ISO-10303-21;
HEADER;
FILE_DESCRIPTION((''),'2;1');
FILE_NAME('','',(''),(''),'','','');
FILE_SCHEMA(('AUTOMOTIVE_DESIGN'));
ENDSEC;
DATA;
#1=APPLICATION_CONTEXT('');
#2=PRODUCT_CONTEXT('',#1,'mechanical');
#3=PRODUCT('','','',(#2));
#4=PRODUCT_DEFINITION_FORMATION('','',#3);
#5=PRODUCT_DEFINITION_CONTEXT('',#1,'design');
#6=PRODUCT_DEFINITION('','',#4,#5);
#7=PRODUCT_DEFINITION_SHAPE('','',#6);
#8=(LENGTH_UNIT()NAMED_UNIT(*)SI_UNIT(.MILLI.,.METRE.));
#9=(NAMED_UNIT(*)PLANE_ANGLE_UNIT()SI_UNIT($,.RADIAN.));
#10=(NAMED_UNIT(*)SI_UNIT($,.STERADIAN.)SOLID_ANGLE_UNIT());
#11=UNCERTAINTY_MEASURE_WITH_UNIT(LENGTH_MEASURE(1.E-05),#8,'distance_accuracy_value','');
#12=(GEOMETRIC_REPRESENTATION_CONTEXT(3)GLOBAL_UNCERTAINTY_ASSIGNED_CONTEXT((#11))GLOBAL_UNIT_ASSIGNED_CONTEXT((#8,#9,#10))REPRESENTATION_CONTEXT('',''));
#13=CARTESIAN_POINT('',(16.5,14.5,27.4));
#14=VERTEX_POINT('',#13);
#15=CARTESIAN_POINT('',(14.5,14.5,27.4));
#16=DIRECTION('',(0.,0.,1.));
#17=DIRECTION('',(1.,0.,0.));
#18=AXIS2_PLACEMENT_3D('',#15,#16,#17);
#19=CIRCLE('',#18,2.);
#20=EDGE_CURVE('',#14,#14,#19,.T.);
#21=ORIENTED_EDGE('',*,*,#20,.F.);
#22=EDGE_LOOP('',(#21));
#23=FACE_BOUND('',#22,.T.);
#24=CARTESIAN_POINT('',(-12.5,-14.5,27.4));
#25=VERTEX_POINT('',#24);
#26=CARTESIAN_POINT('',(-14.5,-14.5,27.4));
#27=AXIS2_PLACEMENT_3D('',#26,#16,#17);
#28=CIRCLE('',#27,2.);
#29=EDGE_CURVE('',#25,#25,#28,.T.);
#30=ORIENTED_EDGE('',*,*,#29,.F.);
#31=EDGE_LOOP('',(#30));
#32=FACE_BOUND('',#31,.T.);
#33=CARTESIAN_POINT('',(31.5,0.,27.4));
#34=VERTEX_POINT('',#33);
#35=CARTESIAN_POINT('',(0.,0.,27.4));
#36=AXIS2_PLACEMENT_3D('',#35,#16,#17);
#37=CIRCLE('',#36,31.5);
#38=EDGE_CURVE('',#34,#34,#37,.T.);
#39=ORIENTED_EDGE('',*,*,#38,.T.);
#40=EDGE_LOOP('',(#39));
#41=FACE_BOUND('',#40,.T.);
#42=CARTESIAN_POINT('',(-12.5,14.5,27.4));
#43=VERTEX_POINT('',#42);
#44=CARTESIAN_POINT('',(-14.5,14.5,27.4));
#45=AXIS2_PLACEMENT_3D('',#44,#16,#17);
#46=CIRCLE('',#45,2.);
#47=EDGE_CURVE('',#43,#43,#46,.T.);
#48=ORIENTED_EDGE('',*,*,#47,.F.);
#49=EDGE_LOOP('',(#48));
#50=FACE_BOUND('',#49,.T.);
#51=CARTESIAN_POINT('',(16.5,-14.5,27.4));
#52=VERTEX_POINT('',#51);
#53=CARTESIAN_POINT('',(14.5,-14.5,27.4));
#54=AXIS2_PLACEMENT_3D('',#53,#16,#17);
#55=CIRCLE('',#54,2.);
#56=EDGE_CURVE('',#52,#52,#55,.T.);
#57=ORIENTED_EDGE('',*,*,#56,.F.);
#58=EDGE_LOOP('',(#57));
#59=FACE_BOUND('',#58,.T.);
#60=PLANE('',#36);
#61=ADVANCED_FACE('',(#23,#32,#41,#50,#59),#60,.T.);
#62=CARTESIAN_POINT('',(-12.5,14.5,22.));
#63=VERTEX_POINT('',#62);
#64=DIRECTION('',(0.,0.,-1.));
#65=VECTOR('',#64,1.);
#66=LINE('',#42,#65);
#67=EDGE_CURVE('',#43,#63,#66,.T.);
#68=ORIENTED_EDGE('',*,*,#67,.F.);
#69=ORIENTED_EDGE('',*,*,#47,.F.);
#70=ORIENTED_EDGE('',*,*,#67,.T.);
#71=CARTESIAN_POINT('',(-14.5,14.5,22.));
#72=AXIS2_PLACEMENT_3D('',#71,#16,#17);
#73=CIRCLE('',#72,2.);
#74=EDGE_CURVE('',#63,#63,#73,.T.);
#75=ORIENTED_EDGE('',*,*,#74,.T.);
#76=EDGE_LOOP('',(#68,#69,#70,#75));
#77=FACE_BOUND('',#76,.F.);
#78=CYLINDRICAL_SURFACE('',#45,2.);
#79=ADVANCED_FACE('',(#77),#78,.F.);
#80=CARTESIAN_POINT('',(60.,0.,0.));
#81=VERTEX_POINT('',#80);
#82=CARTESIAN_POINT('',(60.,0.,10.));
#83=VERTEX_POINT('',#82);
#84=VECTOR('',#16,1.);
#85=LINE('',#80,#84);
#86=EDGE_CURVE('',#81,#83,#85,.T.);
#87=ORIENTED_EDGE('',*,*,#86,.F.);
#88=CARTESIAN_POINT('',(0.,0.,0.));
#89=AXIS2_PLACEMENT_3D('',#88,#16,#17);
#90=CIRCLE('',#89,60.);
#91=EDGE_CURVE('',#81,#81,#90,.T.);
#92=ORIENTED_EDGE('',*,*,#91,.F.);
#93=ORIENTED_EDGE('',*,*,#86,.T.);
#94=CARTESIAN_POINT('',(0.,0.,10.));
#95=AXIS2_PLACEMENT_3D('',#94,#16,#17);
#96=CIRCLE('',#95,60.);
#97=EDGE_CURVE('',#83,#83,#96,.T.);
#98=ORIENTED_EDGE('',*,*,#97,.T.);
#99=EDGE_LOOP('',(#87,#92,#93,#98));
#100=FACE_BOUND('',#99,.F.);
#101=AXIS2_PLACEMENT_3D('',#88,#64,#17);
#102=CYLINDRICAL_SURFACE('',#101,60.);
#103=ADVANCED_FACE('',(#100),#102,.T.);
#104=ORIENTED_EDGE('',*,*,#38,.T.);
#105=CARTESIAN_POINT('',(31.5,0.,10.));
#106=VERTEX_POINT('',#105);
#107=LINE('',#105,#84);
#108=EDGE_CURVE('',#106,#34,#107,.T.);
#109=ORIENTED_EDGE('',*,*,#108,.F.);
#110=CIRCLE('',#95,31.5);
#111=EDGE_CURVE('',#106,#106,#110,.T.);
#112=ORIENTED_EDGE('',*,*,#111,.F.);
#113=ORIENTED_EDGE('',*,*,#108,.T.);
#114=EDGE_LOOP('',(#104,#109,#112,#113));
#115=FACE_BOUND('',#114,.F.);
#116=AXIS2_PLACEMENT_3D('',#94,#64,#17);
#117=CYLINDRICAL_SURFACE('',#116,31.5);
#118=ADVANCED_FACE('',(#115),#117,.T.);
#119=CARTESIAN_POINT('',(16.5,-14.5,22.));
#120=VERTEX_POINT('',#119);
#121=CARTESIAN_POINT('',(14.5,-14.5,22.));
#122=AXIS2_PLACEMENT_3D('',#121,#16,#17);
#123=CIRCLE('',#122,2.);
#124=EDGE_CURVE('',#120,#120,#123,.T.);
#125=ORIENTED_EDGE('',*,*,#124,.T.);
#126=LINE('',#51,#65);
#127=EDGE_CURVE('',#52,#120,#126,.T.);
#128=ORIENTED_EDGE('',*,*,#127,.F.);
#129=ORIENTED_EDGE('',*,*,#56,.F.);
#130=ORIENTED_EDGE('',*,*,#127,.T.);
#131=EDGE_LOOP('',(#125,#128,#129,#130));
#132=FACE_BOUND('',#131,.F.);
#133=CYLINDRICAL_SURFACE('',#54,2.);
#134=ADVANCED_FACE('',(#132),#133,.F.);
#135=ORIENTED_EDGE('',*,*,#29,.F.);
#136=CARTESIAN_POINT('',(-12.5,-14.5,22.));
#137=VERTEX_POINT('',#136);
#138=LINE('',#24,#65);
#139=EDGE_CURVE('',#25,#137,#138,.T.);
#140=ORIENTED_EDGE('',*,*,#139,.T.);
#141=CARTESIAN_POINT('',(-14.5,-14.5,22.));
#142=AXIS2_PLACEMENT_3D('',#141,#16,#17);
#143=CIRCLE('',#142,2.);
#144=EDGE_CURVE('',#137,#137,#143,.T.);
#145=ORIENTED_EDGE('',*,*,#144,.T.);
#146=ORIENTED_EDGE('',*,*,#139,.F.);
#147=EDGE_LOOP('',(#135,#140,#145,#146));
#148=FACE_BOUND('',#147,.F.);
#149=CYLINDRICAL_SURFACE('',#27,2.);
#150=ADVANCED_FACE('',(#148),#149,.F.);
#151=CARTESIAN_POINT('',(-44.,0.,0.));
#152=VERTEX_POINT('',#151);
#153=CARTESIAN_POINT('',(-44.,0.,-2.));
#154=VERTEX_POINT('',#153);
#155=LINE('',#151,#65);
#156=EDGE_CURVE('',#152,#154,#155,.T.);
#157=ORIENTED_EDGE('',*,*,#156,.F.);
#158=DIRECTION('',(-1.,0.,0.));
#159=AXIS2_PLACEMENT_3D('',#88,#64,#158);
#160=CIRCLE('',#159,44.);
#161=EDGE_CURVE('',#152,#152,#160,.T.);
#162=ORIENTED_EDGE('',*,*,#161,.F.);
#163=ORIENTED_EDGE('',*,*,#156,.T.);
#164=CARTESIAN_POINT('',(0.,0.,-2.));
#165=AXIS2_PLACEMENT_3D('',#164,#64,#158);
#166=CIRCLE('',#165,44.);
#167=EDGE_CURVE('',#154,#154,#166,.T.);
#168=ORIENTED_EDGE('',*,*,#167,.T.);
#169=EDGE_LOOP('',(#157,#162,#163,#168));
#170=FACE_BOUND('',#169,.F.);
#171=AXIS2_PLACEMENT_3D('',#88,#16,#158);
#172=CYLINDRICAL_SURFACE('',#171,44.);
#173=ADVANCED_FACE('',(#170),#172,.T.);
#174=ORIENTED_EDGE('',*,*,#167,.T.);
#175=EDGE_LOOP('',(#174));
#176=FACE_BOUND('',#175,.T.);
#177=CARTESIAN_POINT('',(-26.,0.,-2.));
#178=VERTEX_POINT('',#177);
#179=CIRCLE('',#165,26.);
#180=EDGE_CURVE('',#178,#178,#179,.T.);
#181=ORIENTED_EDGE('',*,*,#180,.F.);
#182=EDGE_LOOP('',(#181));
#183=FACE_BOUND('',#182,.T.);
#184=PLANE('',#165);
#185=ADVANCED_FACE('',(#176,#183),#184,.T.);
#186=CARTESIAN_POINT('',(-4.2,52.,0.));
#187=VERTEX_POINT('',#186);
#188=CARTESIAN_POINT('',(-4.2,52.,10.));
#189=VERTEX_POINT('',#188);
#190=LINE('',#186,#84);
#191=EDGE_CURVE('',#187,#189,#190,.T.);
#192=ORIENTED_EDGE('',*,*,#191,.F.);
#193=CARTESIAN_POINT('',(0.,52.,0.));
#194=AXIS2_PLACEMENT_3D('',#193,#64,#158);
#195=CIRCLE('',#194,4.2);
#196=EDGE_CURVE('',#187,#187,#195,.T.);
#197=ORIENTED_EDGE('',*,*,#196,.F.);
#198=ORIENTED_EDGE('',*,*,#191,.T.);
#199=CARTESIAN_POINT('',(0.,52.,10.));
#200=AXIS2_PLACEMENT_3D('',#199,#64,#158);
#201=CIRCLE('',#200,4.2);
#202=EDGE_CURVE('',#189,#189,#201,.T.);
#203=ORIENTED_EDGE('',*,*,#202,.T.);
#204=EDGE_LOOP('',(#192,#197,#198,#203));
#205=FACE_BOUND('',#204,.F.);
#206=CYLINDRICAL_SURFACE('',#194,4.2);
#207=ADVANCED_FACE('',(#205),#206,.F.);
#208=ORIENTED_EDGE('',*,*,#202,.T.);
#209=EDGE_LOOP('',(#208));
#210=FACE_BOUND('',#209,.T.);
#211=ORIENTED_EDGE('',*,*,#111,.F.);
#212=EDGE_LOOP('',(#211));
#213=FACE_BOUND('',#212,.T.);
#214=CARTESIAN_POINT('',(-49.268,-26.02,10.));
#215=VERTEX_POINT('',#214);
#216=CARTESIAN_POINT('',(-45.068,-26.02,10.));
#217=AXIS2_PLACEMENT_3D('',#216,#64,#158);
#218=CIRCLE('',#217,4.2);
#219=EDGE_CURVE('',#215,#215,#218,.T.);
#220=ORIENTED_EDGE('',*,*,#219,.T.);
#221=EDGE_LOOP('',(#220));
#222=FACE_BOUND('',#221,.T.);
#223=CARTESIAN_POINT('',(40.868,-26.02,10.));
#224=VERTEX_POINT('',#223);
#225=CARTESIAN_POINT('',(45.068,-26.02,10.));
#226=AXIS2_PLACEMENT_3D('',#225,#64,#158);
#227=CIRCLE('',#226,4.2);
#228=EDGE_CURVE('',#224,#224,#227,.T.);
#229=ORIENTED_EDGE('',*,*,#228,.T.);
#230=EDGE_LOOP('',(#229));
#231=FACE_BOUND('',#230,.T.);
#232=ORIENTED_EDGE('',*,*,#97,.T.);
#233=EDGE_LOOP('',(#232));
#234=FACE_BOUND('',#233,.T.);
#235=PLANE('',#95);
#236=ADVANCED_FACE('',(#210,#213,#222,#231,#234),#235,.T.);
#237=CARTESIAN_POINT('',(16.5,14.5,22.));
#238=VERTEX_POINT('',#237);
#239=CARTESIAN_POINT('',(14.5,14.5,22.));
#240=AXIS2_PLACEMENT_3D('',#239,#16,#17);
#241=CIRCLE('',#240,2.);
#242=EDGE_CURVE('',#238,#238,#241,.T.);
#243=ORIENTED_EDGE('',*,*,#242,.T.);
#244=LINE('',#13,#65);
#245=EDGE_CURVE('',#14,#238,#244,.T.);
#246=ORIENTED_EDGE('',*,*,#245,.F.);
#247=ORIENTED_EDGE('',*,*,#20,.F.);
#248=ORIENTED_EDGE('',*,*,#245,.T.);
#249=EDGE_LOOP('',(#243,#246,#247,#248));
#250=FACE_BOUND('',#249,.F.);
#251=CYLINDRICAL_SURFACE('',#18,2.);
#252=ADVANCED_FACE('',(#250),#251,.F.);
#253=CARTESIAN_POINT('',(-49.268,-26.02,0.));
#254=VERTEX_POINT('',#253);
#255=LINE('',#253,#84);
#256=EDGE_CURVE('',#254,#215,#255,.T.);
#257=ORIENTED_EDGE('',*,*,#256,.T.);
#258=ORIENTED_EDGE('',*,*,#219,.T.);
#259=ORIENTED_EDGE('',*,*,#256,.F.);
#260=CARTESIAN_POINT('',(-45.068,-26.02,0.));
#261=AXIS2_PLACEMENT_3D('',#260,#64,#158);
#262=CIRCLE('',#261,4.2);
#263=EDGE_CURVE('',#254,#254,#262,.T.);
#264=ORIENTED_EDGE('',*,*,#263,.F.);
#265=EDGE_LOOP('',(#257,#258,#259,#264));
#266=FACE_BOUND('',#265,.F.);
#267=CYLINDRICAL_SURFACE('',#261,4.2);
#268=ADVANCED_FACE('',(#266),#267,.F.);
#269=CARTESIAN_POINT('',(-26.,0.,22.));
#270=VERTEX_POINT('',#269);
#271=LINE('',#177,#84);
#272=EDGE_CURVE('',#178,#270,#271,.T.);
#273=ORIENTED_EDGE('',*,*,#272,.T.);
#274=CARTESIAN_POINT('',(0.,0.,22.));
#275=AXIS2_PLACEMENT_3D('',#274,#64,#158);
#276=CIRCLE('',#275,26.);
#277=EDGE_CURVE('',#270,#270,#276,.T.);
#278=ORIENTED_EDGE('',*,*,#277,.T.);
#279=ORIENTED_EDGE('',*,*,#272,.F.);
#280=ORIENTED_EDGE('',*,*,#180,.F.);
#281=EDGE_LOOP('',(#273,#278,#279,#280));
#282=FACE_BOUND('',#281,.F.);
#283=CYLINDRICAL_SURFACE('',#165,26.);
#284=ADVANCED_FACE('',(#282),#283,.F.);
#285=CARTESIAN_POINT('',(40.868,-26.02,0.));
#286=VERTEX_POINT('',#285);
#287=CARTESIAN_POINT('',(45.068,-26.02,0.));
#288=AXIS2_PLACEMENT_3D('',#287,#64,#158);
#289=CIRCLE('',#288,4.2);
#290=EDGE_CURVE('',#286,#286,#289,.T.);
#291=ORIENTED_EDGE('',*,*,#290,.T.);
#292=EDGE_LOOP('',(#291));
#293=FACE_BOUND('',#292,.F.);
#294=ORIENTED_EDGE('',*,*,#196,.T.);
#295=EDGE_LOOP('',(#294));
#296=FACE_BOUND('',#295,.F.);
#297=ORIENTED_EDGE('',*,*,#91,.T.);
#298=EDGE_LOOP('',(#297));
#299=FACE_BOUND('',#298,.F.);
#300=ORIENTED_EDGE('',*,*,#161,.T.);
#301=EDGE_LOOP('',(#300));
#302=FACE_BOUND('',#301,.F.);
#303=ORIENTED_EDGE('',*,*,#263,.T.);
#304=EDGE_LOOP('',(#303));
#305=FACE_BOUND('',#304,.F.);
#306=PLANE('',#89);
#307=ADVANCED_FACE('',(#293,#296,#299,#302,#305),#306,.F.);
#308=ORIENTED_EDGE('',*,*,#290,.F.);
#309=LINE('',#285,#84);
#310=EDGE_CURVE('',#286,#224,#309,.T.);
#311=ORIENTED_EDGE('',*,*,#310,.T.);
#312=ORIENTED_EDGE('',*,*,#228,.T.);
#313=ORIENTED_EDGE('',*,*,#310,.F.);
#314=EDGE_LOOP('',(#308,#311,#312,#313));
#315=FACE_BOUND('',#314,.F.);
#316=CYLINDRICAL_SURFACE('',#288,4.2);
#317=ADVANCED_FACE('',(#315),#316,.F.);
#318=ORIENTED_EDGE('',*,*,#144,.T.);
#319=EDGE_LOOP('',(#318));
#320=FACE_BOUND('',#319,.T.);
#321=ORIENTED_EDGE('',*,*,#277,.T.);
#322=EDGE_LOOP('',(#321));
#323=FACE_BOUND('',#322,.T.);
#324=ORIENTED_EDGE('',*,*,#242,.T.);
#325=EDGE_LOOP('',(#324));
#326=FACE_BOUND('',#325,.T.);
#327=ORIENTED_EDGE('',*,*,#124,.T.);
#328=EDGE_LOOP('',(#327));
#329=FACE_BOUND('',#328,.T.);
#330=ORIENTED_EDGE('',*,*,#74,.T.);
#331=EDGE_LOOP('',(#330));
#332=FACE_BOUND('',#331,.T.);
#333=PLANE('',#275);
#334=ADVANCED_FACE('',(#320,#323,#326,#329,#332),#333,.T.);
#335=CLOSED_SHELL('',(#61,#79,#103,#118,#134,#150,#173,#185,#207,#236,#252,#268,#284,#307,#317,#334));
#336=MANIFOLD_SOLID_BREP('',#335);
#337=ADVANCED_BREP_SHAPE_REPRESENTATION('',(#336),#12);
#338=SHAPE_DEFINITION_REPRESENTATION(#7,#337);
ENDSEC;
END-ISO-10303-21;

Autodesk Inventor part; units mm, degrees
ref_plane "YZ Plane" through (0, 0, 0) normal (1, 0, 0) x (0, 1, 0)
ref_plane "XZ Plane" through (0, 0, 0) normal (0, 1, 0) x (-1, 0, 0)
ref_plane "XY Plane" through (0, 0, 0) normal (0, 0, 1) x (1, 0, 0)
sketch "Sketch1" plane through (0, 0, 0) normal (0, 0, 1) x (1, 0, 0)
  circle A0 centre (0, 0) radius 60
  dimension "d0" = 120
extrude "Extrusion1" add sketch "Sketch1" along normal blind 10
sketch "Sketch2" plane through (0, 0, 10) normal (0, 0, 1) x (1, 0, 0)
  circle A0 centre (0, 0) radius 31.5
  dimension "d3" = 63
extrude "Extrusion2" add sketch "Sketch2" along normal blind 17.4
sketch "Sketch3" plane through (0, 0, 27.4) normal (0, 0, 1) x (1, 0, 0)
  circle A0 centre (-14.5, 14.5) radius 2
  circle A1 centre (14.5, 14.5) radius 2
  circle A2 centre (14.5, -14.5) radius 2
  circle A3 centre (-14.5, -14.5) radius 2
  point P0 (0, 0)
  dimension "d6" = 4
  dimension "d7" = 4
  dimension "d8" = 4
  dimension "d9" = 4
  dimension "d10" = 29
  dimension "d11" = 29
  dimension "d12" = 29
  dimension "d13" = 29
  dimension "d18" = 20.5061
  dimension "d19" = 20.5061
  dimension "d20" = 20.5061
extrude "Extrusion3" cut sketch "Sketch3" against normal through all
sketch "Sketch4" plane through (0, 0, 0) normal (0, 0, -1) x (-1, 0, 0)
  circle A0 centre (0, 0) radius 44
  dimension "d23" = 88
extrude "Extrusion4" add sketch "Sketch4" along normal blind 2
sketch "Sketch5" plane through (0, 0, -2) normal (0, 0, -1) x (-1, 0, 0)
  circle A0 centre (0, 0) radius 26
  dimension "d26" = 52
extrude "Extrusion5" cut sketch "Sketch5" against normal blind 24
sketch "Sketch6" plane through (0, 0, 0) normal (0, 0, -1) x (-1, 0, 0)
  circle A0 centre (-45.068, -26.02) radius 4.2
  circle A1 centre (45.068, -26.02) radius 4.2
  circle A2 centre (0, 52) radius 4.2
  circle A3 centre (0, 0) radius 44 projected
  dimension "d29" = 8.4
  dimension "d30" = 8.4
  dimension "d31" = 8.4
extrude "Extrusion6" cut sketch "Sketch6" against normal blind 10 contours A0 | A1 | A2
properties part number "tampa traseira acoplada final"
